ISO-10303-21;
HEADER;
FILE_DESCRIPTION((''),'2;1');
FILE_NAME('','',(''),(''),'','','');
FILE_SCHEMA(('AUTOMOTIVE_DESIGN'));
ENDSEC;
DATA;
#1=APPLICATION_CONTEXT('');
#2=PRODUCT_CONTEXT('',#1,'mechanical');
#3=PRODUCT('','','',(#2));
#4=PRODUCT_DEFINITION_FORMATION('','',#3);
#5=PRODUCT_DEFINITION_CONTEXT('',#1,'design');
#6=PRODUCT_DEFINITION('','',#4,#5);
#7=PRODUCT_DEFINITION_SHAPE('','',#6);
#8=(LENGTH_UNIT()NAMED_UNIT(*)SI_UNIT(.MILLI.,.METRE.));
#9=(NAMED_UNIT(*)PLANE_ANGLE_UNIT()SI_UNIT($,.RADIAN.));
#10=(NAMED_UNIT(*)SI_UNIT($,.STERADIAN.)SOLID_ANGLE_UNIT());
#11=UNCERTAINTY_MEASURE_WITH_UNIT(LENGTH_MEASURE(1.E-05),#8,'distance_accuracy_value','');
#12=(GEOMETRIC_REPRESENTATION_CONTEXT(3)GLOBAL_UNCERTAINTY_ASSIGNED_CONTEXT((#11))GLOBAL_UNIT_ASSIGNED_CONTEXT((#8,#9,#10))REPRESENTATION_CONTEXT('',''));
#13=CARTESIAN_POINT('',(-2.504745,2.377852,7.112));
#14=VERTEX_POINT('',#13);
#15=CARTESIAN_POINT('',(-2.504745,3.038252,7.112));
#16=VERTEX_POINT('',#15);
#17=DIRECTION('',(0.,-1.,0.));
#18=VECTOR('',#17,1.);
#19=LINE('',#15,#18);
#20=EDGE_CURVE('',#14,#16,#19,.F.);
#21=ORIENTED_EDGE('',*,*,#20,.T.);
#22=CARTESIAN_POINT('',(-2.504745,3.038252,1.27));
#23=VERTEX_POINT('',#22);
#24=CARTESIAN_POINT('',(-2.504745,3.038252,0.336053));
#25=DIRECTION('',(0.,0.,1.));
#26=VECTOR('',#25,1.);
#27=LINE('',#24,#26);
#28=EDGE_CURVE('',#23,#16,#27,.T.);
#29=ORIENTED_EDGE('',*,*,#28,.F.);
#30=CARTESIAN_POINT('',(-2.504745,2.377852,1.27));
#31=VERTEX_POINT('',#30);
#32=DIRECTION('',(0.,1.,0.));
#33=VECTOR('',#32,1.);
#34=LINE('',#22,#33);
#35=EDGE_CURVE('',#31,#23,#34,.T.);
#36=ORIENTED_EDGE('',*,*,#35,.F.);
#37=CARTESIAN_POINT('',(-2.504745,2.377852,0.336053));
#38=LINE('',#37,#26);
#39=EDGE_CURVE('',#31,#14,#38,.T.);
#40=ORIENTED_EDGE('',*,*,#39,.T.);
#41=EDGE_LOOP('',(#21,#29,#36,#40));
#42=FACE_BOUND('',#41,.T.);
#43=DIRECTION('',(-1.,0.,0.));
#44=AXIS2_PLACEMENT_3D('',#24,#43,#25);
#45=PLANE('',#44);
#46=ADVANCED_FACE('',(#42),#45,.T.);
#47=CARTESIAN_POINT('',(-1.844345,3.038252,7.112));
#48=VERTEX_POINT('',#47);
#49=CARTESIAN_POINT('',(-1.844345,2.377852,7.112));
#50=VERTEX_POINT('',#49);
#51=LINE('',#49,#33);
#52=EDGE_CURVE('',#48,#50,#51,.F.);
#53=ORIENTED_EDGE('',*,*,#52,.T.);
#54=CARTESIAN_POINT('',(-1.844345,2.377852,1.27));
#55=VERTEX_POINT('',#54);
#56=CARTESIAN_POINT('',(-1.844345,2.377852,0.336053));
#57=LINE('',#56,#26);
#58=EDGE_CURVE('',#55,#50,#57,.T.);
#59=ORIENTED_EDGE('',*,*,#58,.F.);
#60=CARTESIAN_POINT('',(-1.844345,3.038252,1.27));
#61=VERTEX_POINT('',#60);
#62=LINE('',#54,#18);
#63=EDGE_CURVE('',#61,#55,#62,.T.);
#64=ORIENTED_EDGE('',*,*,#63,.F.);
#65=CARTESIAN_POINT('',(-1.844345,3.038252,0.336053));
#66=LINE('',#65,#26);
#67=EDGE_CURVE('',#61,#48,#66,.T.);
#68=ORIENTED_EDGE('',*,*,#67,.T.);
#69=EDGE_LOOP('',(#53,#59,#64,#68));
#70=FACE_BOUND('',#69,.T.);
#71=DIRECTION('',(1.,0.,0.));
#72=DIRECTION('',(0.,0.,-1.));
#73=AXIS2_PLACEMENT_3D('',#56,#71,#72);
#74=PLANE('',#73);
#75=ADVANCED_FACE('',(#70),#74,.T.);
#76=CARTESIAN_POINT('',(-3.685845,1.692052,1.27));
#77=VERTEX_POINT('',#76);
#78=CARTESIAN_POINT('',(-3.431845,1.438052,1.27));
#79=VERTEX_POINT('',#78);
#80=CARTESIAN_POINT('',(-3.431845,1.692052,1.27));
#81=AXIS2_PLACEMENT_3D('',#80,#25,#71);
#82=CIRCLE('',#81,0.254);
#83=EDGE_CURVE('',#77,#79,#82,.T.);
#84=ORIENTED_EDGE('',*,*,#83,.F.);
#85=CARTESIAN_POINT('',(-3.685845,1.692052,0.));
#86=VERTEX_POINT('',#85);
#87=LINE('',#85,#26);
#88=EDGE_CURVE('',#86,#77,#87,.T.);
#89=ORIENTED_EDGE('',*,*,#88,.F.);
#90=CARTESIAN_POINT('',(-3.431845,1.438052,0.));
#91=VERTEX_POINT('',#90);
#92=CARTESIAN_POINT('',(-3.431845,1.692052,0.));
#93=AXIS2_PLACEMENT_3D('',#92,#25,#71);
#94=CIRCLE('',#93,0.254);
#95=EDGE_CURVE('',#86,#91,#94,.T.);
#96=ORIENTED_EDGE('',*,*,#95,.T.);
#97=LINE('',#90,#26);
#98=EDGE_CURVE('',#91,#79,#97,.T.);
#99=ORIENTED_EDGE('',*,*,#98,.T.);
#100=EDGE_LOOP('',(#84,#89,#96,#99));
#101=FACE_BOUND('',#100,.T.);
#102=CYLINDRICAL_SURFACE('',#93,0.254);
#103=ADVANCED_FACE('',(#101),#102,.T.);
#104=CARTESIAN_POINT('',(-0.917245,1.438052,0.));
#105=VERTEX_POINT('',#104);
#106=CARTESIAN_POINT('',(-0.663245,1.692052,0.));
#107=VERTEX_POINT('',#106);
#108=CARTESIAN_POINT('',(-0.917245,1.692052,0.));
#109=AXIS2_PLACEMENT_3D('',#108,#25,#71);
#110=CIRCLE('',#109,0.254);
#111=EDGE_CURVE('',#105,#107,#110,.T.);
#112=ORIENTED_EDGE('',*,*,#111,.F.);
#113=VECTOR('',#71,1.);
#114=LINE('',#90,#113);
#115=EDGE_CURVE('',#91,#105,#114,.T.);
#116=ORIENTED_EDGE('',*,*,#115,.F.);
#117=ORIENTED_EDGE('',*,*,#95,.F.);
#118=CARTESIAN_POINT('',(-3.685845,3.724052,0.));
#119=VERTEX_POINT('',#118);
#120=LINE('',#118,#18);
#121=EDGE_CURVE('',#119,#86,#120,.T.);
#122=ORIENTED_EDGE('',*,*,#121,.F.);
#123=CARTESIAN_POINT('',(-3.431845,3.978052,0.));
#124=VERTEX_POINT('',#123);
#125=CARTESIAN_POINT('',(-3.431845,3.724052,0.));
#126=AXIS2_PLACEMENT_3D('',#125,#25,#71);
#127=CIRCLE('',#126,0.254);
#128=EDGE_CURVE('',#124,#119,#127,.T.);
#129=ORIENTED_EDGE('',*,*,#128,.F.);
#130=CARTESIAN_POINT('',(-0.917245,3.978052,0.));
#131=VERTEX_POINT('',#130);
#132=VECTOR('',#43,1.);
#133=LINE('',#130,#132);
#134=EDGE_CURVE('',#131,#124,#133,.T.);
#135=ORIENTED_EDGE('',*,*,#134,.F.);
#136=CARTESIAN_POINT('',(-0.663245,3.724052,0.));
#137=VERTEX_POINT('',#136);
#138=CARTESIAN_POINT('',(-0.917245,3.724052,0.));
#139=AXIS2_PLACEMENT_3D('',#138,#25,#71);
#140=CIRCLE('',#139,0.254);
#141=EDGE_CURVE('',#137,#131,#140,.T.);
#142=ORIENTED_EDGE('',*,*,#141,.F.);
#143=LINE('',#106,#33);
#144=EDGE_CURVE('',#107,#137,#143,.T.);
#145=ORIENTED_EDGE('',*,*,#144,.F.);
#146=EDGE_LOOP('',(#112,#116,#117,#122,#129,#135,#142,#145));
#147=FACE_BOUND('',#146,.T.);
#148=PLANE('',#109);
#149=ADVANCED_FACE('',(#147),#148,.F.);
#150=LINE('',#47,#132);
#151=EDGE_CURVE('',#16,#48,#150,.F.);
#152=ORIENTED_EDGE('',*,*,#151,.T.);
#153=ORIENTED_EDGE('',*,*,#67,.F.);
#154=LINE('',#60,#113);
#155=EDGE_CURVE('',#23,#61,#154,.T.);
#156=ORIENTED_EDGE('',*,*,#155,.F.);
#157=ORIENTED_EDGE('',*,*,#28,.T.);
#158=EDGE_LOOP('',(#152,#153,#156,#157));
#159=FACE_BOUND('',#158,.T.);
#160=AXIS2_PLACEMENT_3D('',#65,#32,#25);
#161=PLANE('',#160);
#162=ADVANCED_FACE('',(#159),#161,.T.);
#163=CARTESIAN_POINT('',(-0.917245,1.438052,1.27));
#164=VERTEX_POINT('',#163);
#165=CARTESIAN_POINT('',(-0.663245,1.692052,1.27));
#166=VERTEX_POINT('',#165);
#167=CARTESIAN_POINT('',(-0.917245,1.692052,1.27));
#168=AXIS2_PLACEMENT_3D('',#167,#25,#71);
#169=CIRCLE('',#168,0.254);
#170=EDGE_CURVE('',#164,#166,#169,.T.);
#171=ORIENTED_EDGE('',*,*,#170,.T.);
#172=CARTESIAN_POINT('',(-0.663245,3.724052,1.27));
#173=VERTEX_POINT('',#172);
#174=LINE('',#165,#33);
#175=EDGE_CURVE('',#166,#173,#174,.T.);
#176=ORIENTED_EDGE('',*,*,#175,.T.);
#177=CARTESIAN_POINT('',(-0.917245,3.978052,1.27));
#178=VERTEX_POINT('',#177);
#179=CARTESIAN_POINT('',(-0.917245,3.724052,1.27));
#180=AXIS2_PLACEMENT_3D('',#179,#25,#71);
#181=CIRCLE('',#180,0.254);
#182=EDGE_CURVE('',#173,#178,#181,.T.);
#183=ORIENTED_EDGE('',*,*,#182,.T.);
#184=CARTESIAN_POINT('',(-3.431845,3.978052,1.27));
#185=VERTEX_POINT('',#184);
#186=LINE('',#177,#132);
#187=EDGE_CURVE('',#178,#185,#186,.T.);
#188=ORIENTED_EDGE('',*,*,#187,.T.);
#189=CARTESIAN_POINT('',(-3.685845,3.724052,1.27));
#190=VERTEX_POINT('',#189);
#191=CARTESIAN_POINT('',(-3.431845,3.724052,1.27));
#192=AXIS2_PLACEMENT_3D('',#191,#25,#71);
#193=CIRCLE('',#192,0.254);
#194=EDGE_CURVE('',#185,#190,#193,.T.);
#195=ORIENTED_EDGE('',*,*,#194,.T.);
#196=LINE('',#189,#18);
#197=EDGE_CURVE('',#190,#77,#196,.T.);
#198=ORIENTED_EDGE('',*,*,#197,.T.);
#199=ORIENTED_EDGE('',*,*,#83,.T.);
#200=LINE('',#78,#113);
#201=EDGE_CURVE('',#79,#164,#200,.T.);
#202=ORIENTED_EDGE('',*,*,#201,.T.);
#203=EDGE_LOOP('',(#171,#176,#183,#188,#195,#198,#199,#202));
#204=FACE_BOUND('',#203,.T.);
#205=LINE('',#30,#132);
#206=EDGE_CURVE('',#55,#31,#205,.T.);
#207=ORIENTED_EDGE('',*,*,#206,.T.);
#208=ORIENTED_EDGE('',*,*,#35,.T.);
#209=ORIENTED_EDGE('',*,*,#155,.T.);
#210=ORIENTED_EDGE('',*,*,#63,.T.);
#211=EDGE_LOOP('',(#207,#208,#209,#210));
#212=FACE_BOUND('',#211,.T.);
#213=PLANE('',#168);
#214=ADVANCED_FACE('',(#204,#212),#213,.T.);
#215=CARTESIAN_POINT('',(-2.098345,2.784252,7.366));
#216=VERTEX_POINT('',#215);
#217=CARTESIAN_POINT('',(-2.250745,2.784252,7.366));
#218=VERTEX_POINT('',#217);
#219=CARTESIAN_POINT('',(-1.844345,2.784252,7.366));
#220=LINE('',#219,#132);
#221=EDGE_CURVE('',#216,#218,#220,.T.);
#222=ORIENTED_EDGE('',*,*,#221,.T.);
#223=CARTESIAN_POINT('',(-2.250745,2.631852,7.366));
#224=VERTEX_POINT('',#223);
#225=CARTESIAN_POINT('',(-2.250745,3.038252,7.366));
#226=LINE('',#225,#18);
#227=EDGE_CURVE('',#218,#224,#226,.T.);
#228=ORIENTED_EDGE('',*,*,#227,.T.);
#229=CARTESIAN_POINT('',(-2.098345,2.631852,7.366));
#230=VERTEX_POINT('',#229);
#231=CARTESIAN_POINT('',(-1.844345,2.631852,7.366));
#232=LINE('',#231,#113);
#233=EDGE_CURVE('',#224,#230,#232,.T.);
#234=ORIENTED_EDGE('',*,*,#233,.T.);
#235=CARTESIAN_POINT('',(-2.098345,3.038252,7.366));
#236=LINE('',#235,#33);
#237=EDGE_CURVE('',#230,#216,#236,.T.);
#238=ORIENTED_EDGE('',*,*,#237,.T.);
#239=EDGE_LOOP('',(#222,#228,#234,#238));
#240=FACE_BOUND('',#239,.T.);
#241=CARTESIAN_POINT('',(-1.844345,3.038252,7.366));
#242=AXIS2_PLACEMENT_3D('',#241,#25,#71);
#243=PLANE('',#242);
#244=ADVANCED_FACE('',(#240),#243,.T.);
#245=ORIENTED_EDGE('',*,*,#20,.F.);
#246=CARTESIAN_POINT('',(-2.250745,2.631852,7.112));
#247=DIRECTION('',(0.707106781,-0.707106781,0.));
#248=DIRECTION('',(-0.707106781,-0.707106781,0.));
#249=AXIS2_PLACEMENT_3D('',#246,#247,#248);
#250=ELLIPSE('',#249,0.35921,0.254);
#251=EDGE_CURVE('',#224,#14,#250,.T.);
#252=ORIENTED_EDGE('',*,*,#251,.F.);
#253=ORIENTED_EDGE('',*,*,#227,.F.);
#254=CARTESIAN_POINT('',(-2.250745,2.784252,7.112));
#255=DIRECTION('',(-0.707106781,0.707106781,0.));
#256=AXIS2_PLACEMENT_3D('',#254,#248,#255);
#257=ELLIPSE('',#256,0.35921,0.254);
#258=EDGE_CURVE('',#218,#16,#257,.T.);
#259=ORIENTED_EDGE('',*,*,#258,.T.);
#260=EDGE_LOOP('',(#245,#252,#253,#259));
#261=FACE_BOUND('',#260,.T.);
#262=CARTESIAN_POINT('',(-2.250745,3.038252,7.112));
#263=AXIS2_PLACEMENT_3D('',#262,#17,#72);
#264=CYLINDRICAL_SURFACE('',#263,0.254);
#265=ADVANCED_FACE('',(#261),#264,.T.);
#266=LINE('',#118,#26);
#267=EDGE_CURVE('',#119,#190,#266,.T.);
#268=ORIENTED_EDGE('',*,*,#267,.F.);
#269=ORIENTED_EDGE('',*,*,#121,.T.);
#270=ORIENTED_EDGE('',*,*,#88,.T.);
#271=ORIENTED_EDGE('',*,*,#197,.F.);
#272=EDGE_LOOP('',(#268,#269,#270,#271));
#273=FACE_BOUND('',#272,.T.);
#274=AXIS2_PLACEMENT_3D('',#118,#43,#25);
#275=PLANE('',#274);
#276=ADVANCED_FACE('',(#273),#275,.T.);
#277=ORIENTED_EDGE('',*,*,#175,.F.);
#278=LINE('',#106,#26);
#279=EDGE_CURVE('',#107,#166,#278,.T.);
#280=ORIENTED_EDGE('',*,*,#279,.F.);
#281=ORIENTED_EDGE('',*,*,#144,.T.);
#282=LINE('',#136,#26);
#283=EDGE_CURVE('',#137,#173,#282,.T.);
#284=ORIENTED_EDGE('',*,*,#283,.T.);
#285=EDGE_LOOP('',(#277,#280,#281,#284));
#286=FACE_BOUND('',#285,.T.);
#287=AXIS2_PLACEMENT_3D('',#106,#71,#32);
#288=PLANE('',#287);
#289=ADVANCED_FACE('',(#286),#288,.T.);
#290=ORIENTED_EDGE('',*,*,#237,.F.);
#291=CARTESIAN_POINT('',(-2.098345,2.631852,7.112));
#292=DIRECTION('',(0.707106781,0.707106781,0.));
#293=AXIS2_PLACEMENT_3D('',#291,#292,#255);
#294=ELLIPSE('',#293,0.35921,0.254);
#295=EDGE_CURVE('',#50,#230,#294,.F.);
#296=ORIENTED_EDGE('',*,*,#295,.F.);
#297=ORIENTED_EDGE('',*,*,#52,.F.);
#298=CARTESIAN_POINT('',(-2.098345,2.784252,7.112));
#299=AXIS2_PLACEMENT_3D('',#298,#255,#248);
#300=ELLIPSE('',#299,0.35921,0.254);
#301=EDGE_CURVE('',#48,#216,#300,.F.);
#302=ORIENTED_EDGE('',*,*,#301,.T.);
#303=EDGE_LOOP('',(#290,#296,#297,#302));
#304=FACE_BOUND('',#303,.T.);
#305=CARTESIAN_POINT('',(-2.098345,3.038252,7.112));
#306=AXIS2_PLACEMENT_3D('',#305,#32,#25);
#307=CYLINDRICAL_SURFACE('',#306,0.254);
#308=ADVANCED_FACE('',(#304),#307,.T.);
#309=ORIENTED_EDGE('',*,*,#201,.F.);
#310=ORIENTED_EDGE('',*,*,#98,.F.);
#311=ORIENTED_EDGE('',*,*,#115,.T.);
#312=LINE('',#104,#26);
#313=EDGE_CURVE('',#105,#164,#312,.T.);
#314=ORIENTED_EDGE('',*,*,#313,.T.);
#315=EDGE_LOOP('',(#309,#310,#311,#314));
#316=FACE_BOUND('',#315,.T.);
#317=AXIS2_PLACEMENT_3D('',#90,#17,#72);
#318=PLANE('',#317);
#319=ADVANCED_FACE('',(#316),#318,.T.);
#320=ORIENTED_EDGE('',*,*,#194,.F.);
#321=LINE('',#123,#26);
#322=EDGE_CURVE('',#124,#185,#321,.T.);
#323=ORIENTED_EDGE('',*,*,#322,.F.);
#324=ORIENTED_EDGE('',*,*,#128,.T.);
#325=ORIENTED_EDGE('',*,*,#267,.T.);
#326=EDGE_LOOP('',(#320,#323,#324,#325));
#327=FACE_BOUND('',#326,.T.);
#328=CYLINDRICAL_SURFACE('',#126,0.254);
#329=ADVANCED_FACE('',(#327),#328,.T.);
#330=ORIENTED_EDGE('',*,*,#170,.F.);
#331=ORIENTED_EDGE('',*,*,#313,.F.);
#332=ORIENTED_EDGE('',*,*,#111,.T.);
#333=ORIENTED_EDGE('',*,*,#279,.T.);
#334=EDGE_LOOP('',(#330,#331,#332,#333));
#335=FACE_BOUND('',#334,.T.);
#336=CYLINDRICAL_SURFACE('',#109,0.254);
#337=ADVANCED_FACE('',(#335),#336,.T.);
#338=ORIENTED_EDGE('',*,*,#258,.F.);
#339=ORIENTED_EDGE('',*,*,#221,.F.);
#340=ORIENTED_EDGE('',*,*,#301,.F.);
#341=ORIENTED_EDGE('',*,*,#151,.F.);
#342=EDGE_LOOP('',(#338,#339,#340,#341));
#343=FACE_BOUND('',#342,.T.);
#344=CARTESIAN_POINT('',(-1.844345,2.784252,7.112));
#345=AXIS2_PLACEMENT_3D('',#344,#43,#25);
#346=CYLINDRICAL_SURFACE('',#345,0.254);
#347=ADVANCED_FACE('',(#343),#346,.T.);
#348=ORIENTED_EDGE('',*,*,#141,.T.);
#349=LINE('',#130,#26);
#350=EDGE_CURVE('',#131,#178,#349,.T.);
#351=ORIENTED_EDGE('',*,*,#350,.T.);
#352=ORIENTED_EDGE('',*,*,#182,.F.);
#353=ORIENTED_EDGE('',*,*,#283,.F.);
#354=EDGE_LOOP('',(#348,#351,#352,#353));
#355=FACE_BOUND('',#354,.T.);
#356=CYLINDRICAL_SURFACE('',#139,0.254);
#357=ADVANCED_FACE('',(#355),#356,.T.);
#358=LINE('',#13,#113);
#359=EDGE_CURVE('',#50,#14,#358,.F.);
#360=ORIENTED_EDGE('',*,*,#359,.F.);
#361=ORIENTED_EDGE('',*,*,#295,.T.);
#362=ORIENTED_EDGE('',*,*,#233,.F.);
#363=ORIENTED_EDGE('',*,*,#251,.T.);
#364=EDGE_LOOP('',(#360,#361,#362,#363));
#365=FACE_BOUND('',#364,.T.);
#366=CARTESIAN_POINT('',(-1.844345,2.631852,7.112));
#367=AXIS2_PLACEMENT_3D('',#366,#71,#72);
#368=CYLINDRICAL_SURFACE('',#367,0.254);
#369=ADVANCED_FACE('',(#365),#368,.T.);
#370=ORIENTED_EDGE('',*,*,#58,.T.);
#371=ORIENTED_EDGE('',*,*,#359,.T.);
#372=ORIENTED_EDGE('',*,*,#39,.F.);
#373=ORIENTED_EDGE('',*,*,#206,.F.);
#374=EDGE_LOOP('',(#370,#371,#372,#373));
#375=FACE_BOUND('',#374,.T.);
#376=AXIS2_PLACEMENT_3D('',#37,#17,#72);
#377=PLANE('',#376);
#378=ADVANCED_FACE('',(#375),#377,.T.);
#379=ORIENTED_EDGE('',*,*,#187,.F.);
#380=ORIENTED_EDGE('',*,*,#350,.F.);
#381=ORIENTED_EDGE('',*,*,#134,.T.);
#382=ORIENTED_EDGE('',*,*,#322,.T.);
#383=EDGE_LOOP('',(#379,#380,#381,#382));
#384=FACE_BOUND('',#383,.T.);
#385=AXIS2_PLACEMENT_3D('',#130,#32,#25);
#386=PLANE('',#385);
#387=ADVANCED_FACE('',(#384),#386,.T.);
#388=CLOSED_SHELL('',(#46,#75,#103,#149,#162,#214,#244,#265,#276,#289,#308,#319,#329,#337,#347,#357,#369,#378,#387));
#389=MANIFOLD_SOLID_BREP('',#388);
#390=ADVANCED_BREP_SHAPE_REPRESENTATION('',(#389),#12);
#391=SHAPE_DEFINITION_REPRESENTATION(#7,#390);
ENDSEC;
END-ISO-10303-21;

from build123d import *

# Parameters (mm, degrees)
BOSS_EXTRUDE1_DEPTH = 1.27
SKETCH2_W           = 0.6604
SKETCH2_H           = 0.6604
BOSS_EXTRUDE2_DEPTH = 6.096
FILLET1_R           = 0.254


with BuildPart() as part:
    # Sketch1 → Boss-Extrude1 (new body)
    with BuildSketch(Plane.XY.offset(1.27)):
        with BuildLine():
            Line((-0.663245498, 1.69205201), (-0.663245498, 3.72405201))
            ThreePointArc((-0.663245498, 3.72405201), (-0.737640375, 3.903657133), (-0.917245498, 3.97805201))
            Line((-0.917245498, 3.97805201), (-3.431845498, 3.97805201))
            ThreePointArc((-3.431845498, 3.97805201), (-3.61145062, 3.903657133), (-3.685845498, 3.72405201))
            Line((-3.685845498, 3.72405201), (-3.685845498, 1.69205201))
            ThreePointArc((-3.685845498, 1.69205201), (-3.61145062, 1.512446888), (-3.431845498, 1.43805201))
            Line((-3.431845498, 1.43805201), (-0.917245498, 1.43805201))
            ThreePointArc((-0.917245498, 1.43805201), (-0.737640375, 1.512446888), (-0.663245498, 1.69205201))
        make_face()
    extrude(amount=-BOSS_EXTRUDE1_DEPTH)

    # Sketch2 → Boss-Extrude2 (add)
    with BuildSketch(Plane.XY.offset(7.366)):
        with Locations((-2.174545498, 2.70805201)):
            Rectangle(SKETCH2_W, SKETCH2_H)
    extrude(amount=-BOSS_EXTRUDE2_DEPTH)

    # Fillet1
    fillet1_edges = [part.edges().sort_by_distance(p)[0] for p in [
        (-1.844345498, 2.70805201, 7.366),
        (-2.174545498, 3.03825201, 7.366),
        (-2.504745498, 2.70805201, 7.366),
        (-2.174545498, 2.37785201, 7.366),
    ]]
    fillet(fillet1_edges, radius=FILLET1_R)


solid = part.part
